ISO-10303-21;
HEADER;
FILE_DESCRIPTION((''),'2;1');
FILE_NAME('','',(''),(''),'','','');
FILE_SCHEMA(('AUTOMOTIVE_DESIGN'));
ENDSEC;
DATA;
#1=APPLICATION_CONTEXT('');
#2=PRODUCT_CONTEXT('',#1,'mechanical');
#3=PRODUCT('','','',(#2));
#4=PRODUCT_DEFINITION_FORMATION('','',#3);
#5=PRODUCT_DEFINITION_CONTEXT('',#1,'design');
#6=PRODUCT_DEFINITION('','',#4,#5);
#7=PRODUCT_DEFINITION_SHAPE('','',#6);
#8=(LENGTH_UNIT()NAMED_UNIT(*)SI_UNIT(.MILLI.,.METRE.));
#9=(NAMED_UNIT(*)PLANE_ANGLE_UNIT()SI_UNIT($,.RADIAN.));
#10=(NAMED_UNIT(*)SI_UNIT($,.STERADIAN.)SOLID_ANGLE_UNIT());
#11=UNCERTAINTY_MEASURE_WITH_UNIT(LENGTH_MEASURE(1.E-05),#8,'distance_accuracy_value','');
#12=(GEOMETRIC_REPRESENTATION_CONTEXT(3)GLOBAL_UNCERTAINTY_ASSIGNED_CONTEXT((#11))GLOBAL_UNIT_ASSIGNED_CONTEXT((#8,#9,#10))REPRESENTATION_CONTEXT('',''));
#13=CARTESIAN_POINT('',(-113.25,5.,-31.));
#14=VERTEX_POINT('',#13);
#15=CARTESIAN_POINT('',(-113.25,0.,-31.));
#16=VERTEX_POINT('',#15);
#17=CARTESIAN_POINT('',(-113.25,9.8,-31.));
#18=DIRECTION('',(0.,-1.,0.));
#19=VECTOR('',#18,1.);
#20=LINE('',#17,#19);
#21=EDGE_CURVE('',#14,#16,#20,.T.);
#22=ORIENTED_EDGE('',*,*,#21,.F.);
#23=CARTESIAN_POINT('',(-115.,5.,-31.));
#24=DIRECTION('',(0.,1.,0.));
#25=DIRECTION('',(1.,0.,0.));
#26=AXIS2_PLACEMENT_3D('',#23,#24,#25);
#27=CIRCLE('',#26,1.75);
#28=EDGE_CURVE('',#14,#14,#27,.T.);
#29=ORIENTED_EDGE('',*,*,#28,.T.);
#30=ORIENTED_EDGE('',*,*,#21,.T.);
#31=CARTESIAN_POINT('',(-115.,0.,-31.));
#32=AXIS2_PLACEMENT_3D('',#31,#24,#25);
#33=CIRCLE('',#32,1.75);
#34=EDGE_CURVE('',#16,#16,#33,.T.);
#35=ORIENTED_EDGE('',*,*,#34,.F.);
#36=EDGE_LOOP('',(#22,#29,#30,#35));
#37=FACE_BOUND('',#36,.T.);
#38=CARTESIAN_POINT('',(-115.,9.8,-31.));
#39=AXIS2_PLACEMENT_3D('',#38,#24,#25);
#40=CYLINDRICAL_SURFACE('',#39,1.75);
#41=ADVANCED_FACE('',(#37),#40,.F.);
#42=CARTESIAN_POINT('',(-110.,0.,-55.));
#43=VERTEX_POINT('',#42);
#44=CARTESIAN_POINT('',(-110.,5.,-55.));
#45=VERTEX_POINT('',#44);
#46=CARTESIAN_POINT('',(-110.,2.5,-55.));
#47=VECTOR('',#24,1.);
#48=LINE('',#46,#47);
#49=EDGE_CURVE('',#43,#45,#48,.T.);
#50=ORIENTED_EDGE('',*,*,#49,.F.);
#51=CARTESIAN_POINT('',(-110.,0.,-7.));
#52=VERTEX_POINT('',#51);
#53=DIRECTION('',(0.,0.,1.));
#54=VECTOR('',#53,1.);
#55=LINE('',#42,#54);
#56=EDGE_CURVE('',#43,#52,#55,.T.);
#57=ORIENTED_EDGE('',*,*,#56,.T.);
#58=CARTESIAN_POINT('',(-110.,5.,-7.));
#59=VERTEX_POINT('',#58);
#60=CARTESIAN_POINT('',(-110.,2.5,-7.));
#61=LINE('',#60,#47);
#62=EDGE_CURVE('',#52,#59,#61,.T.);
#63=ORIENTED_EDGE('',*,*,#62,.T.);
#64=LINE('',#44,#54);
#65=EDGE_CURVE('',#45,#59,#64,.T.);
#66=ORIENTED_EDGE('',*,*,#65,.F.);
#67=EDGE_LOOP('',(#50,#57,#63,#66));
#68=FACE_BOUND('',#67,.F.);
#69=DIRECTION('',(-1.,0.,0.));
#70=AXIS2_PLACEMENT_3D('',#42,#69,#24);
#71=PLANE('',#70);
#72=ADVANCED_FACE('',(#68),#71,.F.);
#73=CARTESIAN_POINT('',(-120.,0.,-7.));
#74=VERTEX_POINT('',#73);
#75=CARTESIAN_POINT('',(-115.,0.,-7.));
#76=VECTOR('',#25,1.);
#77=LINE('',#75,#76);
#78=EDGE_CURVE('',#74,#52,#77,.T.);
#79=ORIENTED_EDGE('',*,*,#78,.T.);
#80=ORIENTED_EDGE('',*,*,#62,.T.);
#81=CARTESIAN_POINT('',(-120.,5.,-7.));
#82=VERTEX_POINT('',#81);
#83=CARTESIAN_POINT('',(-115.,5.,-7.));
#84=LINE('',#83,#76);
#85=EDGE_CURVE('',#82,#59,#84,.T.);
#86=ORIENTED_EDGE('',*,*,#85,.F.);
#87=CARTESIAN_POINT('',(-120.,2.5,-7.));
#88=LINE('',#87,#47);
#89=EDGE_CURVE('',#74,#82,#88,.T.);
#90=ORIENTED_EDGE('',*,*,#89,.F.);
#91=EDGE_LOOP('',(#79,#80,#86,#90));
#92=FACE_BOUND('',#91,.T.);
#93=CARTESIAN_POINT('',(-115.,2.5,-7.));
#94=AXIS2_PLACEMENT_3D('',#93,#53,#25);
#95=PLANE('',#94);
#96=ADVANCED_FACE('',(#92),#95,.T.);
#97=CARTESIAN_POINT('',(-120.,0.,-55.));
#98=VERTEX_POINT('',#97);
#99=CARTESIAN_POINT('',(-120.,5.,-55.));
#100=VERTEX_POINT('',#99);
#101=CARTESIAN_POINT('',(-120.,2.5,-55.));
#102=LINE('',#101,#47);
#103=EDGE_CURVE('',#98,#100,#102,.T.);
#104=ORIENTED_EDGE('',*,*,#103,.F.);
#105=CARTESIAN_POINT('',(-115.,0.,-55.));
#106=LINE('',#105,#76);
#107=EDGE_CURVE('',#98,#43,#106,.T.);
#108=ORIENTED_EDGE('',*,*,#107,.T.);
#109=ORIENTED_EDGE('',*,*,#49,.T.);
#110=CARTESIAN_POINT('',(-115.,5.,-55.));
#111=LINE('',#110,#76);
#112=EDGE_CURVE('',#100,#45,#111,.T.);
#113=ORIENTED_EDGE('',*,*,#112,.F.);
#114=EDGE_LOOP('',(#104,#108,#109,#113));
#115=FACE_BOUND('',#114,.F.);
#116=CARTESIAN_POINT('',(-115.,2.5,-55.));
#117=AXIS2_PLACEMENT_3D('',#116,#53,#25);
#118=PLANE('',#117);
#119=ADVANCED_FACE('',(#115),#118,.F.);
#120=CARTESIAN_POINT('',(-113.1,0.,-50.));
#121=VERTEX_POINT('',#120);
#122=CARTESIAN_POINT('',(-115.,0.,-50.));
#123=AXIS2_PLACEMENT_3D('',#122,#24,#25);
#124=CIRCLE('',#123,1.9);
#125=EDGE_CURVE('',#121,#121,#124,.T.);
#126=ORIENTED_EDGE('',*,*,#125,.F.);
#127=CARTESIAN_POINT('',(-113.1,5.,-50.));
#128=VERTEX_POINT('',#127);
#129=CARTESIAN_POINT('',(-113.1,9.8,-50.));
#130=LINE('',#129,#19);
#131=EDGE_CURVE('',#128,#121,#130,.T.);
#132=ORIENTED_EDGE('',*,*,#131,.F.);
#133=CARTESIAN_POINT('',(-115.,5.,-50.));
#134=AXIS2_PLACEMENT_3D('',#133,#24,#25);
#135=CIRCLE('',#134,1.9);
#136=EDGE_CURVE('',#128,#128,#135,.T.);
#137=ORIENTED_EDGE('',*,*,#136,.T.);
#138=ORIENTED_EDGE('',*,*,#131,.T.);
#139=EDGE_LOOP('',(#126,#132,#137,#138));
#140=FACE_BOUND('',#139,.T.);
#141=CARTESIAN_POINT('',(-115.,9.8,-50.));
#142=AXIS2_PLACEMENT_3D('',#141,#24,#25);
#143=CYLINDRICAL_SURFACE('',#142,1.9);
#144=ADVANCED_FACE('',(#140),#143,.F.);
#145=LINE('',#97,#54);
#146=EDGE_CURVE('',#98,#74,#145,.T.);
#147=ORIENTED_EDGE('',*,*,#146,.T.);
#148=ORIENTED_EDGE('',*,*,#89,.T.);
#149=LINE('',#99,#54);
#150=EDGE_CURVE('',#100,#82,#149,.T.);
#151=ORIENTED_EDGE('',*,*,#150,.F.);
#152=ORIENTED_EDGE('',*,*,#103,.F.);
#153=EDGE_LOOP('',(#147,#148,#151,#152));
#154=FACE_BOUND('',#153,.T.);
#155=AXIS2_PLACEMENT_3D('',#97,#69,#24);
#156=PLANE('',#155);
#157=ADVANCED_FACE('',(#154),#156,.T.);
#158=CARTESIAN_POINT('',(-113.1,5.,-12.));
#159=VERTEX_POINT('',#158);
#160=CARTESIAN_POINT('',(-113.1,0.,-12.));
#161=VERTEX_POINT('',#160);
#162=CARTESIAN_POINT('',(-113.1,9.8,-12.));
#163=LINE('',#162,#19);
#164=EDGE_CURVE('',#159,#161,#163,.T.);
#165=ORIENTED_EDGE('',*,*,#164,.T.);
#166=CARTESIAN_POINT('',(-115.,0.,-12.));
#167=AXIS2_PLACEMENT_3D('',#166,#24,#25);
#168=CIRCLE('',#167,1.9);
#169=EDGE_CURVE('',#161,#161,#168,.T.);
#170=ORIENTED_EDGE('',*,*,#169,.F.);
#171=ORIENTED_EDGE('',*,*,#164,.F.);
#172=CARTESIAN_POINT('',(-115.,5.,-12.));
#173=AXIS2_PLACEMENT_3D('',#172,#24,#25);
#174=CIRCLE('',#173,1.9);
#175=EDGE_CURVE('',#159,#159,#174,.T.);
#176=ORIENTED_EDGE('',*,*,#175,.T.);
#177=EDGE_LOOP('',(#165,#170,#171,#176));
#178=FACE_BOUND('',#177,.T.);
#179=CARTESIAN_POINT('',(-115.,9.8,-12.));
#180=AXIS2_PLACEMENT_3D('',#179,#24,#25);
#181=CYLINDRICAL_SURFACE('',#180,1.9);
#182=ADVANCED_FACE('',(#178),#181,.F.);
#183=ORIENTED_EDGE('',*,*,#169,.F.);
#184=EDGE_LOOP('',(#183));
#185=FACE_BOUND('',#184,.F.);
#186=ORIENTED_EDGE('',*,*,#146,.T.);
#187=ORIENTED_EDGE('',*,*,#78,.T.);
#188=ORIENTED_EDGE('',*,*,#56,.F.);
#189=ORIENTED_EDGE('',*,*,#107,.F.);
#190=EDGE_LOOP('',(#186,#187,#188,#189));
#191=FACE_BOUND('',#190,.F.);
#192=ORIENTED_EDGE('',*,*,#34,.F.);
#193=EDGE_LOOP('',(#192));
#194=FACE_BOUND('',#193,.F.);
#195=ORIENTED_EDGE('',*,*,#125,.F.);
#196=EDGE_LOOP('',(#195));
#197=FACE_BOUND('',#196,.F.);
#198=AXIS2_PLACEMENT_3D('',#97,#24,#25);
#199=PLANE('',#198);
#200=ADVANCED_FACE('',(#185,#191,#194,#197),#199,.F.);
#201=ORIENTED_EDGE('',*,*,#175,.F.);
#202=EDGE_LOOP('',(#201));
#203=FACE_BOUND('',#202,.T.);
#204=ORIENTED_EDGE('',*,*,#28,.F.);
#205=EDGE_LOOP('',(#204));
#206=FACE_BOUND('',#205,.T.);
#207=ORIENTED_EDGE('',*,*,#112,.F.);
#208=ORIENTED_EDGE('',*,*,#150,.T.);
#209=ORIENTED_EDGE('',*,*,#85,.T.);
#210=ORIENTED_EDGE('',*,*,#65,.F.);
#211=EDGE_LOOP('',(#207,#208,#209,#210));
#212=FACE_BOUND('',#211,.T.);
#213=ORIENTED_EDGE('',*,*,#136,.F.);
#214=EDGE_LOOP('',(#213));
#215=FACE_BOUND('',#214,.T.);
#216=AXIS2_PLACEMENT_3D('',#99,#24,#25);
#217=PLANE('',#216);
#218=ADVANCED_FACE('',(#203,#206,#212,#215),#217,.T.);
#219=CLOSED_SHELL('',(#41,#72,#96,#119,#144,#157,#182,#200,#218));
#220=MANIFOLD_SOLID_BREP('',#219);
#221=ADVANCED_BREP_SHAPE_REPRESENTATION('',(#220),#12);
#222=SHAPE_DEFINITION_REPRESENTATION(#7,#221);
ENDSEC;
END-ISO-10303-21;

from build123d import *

# Parameters (mm, degrees)
CYLINDER049_R     = 1.9
CYLINDER049_DEPTH = 10
CYLINDER050_R     = 1.9
CYLINDER050_DEPTH = 10
CYLINDER048_R     = 1.75
CYLINDER048_DEPTH = 10
BOX007_W          = 10
BOX007_H          = 5
BOX007_DEPTH      = 48


with BuildPart() as cylinder049:
    # Cylinder049 → Cylinder049 (new body)
    with BuildSketch(Plane(origin=(-115, 0, -50), x_dir=(1, 0, 0), z_dir=(0, -1, 0))):
        Circle(CYLINDER049_R)
    extrude(amount=CYLINDER049_DEPTH)


with BuildPart() as cylinder050:
    # Cylinder050 → Cylinder050 (new body)
    with BuildSketch(Plane(origin=(-115, 0, -12), x_dir=(1, 0, 0), z_dir=(0, -1, 0))):
        Circle(CYLINDER050_R)
    extrude(amount=CYLINDER050_DEPTH)


with BuildPart() as sidecuts:
    # Cylinder048 → Cylinder048 (new body)
    with BuildSketch(Plane(origin=(-115, 0, -31), x_dir=(1, 0, 0), z_dir=(0, -1, 0))):
        Circle(CYLINDER048_R)
    extrude(amount=CYLINDER048_DEPTH)

    # Fusion017: union Cylinder049, Cylinder050
    add(cylinder049.part)
    add(cylinder050.part)


with BuildPart() as sidecuts_1:
    # Fusion017 placement: moved
    add(sidecuts.part.moved(Location((0, 9.8, 0))))


with BuildPart() as cornerbase:
    # Box007 → Box007 (new body)
    with BuildSketch(Plane(origin=(-120, 0, -55), x_dir=(1, 0, 0), z_dir=(0, 0, 1))):
        with Locations((5, 2.5)):
            Rectangle(BOX007_W, BOX007_H)
    extrude(amount=BOX007_DEPTH)

    # Cut001: cut sideCuts
    add(sidecuts_1.part, mode=Mode.SUBTRACT)


solid = cornerbase.part
